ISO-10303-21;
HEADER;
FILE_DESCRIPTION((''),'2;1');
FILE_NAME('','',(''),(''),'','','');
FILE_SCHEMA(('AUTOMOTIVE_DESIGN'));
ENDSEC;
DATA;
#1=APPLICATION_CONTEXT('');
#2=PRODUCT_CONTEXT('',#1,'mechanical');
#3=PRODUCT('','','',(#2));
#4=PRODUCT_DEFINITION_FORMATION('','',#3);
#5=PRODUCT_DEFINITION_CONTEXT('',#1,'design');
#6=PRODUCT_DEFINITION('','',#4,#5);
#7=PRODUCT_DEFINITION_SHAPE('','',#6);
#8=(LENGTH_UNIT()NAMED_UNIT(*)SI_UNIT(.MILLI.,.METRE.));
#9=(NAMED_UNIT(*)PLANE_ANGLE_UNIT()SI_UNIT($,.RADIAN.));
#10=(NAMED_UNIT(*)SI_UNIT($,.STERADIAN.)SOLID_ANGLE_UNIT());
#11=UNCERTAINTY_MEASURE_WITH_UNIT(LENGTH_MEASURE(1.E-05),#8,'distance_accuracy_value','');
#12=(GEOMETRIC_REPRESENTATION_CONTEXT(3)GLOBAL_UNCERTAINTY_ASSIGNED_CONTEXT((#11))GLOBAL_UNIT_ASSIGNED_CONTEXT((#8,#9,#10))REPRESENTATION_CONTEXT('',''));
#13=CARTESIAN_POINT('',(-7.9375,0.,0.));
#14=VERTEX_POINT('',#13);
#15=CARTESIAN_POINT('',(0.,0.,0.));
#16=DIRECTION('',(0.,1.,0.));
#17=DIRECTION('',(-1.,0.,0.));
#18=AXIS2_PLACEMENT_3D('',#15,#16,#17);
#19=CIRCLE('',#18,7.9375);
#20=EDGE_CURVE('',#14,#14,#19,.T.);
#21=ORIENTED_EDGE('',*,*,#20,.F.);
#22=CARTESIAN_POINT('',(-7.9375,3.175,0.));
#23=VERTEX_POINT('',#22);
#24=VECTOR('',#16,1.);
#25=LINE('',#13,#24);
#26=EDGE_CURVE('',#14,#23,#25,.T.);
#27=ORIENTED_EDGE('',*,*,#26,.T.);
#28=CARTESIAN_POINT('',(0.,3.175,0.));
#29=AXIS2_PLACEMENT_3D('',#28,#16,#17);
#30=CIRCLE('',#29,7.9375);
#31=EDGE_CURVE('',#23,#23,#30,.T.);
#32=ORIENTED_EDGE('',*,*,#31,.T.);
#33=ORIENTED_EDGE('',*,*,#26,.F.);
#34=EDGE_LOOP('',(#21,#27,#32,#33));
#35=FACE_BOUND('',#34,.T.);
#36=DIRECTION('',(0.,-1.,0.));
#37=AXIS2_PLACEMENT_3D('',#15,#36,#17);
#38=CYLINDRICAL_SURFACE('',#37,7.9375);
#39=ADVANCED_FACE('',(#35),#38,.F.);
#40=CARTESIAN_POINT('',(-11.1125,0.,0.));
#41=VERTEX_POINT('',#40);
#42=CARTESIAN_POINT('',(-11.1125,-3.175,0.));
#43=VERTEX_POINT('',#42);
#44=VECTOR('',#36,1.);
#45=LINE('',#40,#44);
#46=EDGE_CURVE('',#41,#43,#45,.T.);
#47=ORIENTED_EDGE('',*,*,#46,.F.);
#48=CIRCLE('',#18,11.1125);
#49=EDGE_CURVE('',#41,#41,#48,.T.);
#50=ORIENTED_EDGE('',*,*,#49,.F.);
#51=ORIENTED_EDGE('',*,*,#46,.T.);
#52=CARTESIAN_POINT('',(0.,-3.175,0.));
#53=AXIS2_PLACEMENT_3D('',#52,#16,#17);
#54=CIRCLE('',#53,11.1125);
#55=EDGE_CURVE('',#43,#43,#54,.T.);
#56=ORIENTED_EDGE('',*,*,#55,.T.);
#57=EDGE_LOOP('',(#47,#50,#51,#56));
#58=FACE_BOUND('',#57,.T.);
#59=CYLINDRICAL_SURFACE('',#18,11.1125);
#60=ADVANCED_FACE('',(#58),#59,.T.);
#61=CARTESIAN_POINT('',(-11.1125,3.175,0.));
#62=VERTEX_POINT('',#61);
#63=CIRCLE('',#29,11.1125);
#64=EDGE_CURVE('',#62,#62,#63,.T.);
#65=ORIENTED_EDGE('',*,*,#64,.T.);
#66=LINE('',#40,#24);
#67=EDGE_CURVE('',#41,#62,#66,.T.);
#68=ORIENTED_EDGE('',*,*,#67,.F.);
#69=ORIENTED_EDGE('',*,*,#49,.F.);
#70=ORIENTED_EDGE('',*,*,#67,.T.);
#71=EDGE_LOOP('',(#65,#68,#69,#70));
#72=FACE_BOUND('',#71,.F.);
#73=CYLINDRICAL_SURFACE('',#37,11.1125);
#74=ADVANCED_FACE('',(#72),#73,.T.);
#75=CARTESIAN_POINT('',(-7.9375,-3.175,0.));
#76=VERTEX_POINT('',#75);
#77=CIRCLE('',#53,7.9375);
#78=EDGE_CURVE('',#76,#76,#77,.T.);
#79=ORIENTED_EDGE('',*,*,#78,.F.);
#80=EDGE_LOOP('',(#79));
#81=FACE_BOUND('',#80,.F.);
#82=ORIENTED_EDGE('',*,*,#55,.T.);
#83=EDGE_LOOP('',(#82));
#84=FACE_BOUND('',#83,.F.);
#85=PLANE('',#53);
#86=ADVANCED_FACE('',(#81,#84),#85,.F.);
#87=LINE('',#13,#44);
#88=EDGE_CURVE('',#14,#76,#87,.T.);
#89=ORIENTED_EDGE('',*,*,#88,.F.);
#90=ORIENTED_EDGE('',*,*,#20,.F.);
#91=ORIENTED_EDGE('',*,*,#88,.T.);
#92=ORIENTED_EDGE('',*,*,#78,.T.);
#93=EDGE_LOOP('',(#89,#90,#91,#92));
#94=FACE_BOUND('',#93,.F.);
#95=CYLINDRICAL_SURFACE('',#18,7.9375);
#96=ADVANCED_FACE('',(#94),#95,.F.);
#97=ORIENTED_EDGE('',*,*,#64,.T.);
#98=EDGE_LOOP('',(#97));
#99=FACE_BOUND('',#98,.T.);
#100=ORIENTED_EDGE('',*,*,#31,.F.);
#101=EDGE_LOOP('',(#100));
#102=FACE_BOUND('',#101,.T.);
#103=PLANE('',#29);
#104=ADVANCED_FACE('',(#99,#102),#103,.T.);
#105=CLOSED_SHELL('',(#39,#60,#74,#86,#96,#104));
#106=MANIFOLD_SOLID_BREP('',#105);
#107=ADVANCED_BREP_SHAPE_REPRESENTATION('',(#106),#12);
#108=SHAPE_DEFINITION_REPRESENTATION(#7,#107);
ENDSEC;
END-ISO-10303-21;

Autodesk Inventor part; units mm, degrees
ref_plane "YZ Plane" through (0, 0, 0) normal (1, 0, 0) x (0, 1, 0)
ref_plane "XZ Plane" through (0, 0, 0) normal (0, 1, 0) x (-1, 0, 0)
ref_plane "XY Plane" through (0, 0, 0) normal (0, 0, 1) x (1, 0, 0)
sketch "Sketch1" plane through (0, 0, 0) normal (0, 1, 0) x (-1, 0, 0)
  circle A0 centre (0, 0) radius 7.9375
  circle A1 centre (0, 0) radius 11.1125
  dimension "d0" = 15.875
  dimension "d1" = 22.225
extrude "Extrusion1" add sketch "Sketch1" along normal mid plane 6.35
properties part number "Donut"
